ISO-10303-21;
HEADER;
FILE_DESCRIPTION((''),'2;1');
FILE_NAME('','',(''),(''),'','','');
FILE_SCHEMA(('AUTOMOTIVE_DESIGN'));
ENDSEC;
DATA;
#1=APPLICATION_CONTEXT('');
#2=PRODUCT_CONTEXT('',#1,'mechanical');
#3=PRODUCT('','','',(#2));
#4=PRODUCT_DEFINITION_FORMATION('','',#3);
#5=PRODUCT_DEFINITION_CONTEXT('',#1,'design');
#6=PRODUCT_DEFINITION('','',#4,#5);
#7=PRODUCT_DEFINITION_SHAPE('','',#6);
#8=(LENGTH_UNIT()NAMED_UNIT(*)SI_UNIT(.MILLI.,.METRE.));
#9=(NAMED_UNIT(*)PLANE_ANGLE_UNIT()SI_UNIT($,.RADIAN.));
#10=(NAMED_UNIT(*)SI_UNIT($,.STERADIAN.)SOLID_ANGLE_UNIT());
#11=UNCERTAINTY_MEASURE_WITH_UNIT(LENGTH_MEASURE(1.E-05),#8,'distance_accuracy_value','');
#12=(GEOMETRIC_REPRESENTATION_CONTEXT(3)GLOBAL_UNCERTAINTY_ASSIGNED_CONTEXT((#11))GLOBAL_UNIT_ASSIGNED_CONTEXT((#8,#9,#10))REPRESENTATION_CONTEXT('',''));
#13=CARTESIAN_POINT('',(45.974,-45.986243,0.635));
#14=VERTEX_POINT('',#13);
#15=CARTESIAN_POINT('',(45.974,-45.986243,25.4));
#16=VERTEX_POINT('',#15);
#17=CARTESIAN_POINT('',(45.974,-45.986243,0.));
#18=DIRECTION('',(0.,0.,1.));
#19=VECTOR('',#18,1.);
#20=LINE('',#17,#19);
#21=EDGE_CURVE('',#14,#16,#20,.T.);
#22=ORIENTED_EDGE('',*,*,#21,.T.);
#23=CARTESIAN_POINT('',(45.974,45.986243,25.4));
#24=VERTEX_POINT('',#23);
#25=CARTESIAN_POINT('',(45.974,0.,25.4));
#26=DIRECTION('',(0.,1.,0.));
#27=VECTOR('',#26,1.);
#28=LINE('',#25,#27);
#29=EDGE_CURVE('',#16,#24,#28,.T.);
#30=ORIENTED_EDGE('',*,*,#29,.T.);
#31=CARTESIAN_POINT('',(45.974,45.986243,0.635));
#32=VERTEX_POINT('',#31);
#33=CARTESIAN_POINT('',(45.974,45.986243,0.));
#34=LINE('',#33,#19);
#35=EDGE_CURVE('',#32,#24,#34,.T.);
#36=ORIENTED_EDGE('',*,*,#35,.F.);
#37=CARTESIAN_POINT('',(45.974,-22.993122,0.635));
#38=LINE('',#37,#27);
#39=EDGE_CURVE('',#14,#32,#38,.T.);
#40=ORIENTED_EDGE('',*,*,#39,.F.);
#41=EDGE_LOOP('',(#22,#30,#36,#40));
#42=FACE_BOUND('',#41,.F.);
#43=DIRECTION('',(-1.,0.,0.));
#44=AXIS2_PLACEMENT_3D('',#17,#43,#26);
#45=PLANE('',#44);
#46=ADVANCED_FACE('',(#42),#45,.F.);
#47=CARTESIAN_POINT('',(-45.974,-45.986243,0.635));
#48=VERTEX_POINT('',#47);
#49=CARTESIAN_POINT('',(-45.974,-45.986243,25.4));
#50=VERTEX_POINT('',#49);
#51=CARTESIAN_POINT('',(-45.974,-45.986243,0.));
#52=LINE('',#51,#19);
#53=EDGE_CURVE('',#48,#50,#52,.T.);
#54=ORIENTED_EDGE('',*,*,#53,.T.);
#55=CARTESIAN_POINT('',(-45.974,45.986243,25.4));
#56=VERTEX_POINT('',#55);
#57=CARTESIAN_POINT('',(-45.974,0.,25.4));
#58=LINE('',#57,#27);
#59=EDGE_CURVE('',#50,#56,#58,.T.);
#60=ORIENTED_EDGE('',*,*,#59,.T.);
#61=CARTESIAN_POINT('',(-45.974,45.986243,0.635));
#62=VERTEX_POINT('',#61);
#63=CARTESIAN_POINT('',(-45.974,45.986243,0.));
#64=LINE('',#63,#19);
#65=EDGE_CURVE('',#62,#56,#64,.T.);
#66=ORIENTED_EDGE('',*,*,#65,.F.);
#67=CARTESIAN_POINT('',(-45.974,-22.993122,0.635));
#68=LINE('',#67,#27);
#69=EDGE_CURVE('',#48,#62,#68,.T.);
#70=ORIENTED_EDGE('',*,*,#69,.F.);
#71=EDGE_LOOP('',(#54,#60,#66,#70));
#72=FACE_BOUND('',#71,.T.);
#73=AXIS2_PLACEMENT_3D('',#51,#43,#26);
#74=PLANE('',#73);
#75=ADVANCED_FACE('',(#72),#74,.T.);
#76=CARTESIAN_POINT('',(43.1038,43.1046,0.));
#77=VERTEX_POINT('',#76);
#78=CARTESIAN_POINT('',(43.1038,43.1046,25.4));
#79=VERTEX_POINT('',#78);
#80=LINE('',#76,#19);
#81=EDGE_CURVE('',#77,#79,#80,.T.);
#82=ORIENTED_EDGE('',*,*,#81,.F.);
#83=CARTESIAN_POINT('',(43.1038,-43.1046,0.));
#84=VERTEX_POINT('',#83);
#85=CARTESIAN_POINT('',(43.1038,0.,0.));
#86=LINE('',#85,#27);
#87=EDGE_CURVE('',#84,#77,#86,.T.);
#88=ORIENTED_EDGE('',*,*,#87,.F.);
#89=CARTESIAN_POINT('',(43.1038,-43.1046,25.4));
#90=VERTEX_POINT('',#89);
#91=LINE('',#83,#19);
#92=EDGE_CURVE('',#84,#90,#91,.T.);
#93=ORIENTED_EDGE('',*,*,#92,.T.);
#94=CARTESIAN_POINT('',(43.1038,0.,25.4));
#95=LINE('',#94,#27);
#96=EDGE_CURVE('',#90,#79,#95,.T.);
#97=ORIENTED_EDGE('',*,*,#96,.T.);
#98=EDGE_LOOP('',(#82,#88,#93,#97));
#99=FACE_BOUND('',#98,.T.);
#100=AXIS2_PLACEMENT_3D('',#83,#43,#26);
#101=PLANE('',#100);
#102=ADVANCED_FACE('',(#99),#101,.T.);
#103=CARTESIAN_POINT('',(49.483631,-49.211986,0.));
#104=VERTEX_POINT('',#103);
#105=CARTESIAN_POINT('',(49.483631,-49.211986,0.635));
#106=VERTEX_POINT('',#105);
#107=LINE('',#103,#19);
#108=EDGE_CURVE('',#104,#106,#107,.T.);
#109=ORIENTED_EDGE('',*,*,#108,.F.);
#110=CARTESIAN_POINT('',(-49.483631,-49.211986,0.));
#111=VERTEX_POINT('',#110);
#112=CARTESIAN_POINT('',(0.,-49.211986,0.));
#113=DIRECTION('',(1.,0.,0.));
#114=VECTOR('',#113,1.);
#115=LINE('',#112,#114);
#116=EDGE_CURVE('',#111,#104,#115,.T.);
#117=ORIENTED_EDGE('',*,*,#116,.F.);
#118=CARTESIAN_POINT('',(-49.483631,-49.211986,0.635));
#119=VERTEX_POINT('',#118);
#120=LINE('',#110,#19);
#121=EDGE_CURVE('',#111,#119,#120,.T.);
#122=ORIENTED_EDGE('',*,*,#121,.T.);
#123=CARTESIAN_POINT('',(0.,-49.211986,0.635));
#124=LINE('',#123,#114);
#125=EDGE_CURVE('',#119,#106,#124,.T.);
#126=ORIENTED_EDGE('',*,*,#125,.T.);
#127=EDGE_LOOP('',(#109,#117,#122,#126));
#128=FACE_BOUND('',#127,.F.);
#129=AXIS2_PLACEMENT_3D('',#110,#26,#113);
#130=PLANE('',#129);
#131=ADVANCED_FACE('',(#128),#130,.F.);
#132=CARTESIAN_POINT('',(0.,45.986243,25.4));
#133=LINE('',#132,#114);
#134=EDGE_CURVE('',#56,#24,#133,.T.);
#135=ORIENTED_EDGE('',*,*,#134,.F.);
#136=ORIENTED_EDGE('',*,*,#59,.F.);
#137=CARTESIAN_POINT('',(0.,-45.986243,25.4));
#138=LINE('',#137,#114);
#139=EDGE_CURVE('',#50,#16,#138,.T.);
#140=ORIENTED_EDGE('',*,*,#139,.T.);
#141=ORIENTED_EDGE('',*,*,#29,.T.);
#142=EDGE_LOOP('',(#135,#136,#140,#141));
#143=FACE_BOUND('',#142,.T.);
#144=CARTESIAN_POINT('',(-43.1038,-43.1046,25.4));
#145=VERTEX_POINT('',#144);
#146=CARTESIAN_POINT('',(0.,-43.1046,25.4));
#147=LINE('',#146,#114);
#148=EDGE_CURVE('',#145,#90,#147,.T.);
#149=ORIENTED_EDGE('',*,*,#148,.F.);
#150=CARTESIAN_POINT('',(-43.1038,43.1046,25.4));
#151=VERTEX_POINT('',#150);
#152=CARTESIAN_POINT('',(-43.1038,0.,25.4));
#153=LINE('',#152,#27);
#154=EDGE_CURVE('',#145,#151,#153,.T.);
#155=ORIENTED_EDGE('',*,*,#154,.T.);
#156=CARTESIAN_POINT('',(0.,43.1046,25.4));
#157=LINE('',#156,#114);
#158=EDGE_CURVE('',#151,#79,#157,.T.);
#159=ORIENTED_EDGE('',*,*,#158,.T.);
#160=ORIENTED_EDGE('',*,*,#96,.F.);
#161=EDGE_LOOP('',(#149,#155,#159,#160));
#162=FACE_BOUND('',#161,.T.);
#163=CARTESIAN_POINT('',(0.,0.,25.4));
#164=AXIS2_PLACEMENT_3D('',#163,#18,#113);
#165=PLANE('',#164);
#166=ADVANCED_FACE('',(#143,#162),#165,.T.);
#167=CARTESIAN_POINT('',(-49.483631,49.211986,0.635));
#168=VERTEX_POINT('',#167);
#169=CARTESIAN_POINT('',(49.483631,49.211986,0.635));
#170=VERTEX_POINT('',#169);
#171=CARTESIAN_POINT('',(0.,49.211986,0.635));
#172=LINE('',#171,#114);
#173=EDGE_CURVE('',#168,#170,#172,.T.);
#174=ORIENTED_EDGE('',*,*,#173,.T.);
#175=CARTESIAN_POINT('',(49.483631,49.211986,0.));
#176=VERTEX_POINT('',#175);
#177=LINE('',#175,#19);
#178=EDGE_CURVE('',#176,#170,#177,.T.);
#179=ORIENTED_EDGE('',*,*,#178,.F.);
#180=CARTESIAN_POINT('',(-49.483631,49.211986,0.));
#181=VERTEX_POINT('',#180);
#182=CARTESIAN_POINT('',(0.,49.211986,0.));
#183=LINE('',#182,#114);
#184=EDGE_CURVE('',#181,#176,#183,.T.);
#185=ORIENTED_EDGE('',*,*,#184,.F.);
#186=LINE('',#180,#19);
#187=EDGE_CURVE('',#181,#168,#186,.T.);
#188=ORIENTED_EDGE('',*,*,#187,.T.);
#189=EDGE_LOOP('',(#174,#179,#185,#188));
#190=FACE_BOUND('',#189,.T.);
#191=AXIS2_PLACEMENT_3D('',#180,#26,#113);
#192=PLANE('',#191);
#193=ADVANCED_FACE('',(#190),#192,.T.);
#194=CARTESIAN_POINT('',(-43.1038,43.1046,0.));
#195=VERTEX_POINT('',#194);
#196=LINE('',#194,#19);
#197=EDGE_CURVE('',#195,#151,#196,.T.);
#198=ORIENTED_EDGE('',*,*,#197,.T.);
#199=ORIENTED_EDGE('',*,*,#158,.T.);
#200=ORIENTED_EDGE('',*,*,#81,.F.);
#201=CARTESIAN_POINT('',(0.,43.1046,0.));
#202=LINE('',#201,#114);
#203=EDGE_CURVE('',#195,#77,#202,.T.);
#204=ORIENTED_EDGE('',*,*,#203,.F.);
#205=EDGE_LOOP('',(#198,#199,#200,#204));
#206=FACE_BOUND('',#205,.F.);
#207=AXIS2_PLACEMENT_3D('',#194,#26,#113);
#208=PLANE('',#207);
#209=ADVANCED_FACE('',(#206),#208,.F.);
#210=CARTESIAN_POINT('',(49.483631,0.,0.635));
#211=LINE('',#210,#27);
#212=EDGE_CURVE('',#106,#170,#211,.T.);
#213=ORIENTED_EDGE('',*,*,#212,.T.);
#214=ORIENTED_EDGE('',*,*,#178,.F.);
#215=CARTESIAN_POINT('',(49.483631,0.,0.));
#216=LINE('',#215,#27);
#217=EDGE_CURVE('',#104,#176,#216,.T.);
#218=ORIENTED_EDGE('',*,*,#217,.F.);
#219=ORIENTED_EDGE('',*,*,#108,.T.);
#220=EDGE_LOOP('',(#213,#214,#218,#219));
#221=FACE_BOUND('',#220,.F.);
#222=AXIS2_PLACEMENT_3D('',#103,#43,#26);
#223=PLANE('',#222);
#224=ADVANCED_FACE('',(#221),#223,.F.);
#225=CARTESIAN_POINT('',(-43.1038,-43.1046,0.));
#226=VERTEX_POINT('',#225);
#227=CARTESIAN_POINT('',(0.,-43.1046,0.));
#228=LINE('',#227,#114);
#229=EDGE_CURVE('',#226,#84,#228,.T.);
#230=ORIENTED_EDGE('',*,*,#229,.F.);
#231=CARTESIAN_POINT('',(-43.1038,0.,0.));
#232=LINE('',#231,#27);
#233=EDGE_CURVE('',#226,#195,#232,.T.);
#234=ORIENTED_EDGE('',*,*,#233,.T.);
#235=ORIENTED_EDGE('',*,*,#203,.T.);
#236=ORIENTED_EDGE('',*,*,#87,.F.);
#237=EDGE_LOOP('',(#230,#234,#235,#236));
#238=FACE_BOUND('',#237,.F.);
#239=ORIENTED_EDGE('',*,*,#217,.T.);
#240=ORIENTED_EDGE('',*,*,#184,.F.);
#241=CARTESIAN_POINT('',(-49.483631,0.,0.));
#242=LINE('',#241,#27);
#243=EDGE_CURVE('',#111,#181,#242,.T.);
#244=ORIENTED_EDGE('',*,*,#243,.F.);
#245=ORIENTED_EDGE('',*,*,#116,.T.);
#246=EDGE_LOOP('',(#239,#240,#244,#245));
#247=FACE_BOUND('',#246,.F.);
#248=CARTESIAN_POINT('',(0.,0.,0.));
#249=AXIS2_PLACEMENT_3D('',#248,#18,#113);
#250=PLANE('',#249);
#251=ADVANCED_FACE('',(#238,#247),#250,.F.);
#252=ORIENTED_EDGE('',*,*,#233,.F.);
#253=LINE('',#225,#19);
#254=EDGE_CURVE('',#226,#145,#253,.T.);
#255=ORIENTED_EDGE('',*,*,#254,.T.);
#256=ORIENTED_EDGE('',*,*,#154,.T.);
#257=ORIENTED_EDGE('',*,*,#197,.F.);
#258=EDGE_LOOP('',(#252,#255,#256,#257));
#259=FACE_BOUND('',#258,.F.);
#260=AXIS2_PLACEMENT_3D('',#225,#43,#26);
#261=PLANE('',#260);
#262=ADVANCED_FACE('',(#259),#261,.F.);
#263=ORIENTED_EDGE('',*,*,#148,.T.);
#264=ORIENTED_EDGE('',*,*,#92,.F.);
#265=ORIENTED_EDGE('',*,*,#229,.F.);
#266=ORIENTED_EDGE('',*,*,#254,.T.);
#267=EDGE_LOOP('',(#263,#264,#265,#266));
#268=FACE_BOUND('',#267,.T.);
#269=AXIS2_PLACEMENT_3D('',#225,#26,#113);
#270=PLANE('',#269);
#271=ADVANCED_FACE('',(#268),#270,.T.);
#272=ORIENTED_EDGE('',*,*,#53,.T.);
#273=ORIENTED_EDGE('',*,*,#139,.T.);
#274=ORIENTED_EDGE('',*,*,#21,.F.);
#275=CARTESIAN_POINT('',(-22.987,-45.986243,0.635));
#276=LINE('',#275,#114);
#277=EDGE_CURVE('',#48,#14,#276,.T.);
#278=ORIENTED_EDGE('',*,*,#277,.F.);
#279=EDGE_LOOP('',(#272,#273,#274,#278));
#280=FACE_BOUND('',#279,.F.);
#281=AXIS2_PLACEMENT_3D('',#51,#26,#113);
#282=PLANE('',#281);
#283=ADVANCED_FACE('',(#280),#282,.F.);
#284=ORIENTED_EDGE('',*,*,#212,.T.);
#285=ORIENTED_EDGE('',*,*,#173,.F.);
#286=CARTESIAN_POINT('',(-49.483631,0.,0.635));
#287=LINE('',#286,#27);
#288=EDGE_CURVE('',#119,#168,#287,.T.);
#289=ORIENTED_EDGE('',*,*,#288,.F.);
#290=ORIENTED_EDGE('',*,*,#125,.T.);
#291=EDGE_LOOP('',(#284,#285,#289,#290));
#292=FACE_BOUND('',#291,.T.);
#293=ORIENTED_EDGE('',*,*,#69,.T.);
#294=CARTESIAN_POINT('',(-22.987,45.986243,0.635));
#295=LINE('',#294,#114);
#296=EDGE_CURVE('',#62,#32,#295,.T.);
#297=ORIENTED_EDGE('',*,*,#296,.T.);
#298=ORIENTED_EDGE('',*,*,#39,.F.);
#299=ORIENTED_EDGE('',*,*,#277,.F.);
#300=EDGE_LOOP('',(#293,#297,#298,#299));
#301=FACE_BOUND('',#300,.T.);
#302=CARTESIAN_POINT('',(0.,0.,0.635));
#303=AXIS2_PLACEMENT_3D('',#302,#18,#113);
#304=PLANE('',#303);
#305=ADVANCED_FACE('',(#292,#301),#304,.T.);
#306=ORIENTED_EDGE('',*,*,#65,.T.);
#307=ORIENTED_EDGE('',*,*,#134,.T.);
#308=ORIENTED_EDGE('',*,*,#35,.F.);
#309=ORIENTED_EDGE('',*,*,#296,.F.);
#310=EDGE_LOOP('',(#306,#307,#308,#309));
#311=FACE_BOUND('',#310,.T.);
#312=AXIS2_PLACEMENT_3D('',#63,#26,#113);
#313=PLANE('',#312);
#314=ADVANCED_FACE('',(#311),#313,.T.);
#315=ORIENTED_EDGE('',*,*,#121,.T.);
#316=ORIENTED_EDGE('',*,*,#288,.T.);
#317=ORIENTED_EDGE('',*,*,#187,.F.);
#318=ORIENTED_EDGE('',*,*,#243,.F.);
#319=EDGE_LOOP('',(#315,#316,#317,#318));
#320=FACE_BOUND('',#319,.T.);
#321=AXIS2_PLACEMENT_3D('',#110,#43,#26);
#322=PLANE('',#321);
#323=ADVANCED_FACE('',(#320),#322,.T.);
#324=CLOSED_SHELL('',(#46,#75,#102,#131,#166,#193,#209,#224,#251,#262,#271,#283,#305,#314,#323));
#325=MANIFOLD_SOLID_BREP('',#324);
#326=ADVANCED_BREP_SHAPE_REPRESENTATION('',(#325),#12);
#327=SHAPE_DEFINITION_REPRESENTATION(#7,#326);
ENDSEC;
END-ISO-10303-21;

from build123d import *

# Parameters (mm, degrees)
F0_W     = 91.948
F0_H     = 91.972486
F0_W_2   = 86.2076
F0_H_2   = 86.2092
F1_DEPTH = 25.4
F2_W     = 98.967262
F2_H     = 98.423972
F2_W_2   = 91.629356
F2_H_2   = 91.881752
F3_DEPTH = 0.635


with BuildPart() as f1:
    # F0 (on Top) → F1 (new body)
    with BuildSketch(Plane.XY):
        Rectangle(F0_W, F0_H)
        Rectangle(F0_W_2, F0_H_2, mode=Mode.SUBTRACT)
    extrude(amount=F1_DEPTH)

    # F2 (on Top) → F3 (join)
    with BuildSketch(Plane.XY):
        Rectangle(F2_W, F2_H)
        Rectangle(F2_W_2, F2_H_2, mode=Mode.SUBTRACT)
    extrude(amount=F3_DEPTH)


solid = f1.part
